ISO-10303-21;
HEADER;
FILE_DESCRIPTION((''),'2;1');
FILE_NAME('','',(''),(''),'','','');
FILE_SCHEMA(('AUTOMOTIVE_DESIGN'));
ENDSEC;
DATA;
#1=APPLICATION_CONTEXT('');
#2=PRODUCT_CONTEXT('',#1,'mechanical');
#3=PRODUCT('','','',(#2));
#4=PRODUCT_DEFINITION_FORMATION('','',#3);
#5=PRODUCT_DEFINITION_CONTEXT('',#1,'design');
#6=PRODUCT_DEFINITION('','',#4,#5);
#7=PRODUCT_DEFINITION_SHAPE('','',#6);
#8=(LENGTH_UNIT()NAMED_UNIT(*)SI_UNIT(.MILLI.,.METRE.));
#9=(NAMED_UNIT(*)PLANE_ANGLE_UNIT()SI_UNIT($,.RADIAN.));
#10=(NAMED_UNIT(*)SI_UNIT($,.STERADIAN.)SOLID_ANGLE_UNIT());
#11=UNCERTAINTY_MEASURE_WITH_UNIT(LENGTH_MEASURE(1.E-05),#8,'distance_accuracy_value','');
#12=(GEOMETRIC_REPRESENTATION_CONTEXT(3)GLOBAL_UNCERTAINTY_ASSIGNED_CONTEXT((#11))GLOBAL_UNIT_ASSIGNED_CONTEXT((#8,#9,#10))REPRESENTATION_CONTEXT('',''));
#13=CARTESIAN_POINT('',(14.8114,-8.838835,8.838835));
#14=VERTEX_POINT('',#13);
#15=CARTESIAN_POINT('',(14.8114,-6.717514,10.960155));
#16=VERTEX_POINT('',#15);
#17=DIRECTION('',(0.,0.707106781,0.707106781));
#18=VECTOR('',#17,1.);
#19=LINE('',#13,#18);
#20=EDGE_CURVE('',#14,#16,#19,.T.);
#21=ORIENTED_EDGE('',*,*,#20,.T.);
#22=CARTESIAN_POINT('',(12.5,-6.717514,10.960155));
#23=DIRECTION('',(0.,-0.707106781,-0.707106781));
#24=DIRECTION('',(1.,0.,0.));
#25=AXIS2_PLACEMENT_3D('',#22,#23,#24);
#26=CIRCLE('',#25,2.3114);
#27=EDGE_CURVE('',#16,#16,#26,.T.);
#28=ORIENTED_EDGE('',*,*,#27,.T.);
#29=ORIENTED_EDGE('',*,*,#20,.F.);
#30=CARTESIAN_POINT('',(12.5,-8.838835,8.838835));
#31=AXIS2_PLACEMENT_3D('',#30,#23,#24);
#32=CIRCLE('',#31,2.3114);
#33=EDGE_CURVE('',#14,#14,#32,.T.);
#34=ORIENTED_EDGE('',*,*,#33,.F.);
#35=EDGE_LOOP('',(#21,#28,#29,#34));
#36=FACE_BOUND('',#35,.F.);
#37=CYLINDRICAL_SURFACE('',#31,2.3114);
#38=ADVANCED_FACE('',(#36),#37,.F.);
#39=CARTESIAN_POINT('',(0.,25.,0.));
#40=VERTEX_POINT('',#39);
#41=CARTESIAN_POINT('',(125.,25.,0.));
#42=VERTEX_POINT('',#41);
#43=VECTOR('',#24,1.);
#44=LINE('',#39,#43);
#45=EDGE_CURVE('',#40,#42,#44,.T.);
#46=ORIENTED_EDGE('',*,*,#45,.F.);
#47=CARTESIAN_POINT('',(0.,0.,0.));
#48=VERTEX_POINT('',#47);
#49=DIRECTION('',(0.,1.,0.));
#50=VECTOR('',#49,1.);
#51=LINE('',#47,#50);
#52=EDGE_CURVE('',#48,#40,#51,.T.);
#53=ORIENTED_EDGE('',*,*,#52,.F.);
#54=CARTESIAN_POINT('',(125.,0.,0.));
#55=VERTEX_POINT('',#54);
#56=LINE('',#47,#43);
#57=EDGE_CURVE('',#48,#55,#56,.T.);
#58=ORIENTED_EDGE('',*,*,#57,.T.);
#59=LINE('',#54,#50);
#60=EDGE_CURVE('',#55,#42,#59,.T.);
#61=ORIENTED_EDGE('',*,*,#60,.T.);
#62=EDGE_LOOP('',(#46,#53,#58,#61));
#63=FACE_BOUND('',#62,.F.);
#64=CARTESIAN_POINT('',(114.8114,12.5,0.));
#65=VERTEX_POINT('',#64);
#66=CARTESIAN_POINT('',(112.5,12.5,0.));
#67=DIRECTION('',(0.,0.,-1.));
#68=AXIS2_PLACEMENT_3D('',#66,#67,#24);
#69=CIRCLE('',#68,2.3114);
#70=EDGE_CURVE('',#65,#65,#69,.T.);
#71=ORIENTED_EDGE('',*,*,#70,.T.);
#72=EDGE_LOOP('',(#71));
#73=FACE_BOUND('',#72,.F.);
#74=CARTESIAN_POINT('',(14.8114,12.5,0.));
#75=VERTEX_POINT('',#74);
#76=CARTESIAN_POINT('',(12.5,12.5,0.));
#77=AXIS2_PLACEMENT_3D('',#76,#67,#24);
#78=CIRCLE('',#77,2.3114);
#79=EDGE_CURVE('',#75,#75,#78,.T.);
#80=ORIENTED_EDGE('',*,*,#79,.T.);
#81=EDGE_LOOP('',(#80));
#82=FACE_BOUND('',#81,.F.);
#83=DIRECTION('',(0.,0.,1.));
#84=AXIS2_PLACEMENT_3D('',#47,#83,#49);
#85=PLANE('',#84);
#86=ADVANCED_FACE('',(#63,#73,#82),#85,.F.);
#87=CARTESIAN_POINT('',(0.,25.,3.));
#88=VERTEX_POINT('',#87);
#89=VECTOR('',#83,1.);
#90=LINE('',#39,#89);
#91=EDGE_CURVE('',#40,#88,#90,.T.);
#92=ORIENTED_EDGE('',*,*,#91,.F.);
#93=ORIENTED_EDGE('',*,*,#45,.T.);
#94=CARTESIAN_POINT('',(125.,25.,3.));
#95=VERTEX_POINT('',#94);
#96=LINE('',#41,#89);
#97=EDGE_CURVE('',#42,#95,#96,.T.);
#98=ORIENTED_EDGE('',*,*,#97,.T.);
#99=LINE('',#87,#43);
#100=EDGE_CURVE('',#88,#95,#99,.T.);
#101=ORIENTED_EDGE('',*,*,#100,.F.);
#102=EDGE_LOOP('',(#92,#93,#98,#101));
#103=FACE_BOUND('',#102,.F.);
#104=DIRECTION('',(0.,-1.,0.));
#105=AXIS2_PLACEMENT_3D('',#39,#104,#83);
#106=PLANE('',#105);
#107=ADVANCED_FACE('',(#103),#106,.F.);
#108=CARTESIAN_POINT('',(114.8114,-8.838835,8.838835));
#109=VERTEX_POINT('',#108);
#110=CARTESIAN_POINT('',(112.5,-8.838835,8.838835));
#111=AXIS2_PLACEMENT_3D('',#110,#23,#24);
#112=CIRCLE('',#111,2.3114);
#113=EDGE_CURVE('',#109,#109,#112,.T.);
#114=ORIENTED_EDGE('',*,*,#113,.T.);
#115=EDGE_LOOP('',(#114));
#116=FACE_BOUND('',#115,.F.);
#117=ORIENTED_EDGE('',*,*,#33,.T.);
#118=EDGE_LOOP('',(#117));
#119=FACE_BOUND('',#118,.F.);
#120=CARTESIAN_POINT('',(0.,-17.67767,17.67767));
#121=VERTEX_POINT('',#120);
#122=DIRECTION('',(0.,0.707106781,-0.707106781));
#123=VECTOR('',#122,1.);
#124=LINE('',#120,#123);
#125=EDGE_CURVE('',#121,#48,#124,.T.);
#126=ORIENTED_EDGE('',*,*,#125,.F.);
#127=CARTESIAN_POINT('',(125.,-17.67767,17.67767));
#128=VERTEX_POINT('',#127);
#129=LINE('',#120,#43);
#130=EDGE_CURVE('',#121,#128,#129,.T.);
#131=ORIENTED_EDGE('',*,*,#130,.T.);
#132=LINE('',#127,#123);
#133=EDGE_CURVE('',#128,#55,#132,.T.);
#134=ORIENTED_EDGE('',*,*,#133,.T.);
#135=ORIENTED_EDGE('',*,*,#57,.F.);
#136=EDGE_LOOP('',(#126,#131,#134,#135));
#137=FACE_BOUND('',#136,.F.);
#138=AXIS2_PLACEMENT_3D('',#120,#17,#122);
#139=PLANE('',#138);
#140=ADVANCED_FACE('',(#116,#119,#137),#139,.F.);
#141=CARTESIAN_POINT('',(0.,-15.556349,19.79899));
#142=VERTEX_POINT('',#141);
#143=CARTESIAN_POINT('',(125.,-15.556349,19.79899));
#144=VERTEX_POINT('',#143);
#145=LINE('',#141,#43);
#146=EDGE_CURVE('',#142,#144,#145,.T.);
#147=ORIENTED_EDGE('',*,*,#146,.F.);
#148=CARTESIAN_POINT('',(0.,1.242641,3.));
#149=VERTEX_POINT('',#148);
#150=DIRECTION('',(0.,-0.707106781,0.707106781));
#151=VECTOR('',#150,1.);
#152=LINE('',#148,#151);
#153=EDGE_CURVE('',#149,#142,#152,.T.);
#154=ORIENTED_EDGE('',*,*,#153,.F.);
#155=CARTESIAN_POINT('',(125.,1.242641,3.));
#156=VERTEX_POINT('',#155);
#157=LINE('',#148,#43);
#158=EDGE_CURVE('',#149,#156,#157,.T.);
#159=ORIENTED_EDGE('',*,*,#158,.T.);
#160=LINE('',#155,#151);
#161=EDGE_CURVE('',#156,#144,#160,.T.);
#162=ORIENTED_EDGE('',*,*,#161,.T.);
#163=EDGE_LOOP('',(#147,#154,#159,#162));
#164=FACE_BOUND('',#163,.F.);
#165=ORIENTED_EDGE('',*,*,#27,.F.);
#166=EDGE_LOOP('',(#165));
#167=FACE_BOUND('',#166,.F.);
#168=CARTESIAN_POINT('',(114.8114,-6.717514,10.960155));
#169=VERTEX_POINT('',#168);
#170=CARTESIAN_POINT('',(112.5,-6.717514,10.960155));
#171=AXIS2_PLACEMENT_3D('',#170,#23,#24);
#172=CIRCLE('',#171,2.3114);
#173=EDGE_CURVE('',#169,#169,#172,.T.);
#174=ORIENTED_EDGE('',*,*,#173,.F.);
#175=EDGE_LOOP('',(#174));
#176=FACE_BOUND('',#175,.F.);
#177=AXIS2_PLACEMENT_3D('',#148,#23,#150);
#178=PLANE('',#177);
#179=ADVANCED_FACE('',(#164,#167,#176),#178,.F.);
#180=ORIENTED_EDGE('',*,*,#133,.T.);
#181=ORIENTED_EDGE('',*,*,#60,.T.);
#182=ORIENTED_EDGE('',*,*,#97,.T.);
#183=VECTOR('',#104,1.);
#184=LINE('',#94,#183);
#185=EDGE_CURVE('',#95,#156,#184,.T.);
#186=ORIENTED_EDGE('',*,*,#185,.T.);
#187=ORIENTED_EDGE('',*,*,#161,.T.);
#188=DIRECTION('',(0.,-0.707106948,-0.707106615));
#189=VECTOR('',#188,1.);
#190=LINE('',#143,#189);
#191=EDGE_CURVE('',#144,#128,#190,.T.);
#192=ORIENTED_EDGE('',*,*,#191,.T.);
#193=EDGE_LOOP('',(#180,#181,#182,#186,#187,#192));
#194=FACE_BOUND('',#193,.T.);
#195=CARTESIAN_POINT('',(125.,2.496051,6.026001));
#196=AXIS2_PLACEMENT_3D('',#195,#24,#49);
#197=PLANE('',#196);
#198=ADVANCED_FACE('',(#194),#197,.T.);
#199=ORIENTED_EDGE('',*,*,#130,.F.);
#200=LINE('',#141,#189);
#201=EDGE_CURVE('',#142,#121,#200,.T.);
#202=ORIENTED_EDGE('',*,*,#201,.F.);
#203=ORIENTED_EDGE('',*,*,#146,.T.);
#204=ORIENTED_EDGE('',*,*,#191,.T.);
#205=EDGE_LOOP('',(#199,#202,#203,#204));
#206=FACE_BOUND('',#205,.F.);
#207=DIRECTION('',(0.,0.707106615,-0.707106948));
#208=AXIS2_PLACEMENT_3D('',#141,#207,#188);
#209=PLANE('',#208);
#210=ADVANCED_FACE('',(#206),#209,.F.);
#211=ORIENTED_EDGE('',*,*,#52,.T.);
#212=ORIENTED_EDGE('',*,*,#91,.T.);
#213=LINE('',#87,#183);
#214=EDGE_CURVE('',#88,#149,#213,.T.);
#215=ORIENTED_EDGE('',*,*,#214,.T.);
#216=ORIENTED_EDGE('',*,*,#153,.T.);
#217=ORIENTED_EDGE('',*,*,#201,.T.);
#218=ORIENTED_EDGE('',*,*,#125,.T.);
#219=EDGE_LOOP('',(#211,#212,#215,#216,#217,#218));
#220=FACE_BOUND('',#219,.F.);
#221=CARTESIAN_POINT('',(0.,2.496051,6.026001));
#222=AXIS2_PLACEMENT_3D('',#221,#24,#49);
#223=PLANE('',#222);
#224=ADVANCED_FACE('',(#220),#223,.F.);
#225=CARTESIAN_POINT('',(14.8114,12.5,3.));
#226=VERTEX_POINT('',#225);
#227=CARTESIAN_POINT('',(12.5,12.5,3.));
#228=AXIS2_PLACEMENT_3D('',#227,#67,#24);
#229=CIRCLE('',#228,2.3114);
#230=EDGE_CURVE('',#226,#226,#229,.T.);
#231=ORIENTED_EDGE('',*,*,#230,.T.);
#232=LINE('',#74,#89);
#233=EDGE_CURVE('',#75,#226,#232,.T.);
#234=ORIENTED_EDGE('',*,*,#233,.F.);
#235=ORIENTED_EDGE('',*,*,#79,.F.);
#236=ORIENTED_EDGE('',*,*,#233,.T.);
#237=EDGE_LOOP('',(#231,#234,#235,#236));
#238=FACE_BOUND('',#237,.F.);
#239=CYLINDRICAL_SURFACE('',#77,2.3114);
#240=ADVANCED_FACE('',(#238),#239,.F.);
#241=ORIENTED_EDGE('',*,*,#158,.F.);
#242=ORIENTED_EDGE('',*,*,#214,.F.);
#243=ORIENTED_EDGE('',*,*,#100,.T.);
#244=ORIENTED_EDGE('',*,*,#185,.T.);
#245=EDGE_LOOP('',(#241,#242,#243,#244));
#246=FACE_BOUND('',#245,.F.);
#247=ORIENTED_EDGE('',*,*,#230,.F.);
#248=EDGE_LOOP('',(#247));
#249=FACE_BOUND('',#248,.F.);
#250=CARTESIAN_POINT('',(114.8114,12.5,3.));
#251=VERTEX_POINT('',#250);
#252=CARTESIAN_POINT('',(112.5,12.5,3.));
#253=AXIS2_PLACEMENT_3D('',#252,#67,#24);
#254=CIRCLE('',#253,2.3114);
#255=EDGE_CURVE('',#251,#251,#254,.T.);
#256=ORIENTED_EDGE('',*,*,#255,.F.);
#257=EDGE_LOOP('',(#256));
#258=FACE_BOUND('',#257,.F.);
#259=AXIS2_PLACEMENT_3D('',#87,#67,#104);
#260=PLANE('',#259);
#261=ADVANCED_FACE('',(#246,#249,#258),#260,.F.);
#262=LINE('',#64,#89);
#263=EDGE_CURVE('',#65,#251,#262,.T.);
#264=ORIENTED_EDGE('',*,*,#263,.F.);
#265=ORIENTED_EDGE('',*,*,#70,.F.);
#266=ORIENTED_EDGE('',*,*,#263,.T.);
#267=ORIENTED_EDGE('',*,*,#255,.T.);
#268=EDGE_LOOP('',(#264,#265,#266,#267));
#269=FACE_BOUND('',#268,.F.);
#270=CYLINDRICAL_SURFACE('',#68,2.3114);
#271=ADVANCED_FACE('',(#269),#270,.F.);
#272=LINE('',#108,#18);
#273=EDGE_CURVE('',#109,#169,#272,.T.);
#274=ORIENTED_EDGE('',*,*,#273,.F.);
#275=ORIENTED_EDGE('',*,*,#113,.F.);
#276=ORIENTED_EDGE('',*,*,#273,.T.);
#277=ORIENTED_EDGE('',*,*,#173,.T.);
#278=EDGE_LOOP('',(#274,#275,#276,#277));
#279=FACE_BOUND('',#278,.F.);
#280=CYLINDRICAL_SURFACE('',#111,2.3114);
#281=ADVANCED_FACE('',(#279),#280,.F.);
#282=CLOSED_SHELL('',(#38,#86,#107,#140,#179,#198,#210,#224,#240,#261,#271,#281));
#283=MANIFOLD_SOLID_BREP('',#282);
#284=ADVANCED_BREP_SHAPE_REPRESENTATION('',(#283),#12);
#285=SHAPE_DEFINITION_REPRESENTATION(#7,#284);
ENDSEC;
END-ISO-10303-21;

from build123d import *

# Parameters (mm, degrees)
F1_DEPTH = 125
F2_R     = 2.3114
F3_DEPTH = 25
F4_R     = 2.3114
F5_DEPTH = 25


with BuildPart() as f1:
    # F0 (on Right) → F1 (new body)
    with BuildSketch(Plane.YZ):
        Polygon((-17.67767, 17.67767), (0, 0), (25, 0), (25, 3), (1.242641, 3), (-15.556349, 19.79899), align=None)
    extrude(amount=F1_DEPTH)

    # F2 (on face) → F3 (cut)
    with BuildSketch(Plane(origin=(0, 0, 0), x_dir=(1, 0, 0), z_dir=(0, 0, -1))):
        with Locations((12.5, -12.5)):
            Circle(F2_R)
        with Locations((112.5, -12.5)):
            Circle(F2_R)
    extrude(amount=-F3_DEPTH, mode=Mode.SUBTRACT)

    # F4 (on face) → F5 (cut)
    with BuildSketch(Plane(origin=(0, 0, 0), x_dir=(1, 0, 0), z_dir=(0, -0.707107, -0.707107))):
        with Locations((12.5, 12.5)):
            Circle(F4_R)
        with Locations((112.5, 12.5)):
            Circle(F4_R)
    extrude(amount=-F5_DEPTH, mode=Mode.SUBTRACT)


solid = f1.part
